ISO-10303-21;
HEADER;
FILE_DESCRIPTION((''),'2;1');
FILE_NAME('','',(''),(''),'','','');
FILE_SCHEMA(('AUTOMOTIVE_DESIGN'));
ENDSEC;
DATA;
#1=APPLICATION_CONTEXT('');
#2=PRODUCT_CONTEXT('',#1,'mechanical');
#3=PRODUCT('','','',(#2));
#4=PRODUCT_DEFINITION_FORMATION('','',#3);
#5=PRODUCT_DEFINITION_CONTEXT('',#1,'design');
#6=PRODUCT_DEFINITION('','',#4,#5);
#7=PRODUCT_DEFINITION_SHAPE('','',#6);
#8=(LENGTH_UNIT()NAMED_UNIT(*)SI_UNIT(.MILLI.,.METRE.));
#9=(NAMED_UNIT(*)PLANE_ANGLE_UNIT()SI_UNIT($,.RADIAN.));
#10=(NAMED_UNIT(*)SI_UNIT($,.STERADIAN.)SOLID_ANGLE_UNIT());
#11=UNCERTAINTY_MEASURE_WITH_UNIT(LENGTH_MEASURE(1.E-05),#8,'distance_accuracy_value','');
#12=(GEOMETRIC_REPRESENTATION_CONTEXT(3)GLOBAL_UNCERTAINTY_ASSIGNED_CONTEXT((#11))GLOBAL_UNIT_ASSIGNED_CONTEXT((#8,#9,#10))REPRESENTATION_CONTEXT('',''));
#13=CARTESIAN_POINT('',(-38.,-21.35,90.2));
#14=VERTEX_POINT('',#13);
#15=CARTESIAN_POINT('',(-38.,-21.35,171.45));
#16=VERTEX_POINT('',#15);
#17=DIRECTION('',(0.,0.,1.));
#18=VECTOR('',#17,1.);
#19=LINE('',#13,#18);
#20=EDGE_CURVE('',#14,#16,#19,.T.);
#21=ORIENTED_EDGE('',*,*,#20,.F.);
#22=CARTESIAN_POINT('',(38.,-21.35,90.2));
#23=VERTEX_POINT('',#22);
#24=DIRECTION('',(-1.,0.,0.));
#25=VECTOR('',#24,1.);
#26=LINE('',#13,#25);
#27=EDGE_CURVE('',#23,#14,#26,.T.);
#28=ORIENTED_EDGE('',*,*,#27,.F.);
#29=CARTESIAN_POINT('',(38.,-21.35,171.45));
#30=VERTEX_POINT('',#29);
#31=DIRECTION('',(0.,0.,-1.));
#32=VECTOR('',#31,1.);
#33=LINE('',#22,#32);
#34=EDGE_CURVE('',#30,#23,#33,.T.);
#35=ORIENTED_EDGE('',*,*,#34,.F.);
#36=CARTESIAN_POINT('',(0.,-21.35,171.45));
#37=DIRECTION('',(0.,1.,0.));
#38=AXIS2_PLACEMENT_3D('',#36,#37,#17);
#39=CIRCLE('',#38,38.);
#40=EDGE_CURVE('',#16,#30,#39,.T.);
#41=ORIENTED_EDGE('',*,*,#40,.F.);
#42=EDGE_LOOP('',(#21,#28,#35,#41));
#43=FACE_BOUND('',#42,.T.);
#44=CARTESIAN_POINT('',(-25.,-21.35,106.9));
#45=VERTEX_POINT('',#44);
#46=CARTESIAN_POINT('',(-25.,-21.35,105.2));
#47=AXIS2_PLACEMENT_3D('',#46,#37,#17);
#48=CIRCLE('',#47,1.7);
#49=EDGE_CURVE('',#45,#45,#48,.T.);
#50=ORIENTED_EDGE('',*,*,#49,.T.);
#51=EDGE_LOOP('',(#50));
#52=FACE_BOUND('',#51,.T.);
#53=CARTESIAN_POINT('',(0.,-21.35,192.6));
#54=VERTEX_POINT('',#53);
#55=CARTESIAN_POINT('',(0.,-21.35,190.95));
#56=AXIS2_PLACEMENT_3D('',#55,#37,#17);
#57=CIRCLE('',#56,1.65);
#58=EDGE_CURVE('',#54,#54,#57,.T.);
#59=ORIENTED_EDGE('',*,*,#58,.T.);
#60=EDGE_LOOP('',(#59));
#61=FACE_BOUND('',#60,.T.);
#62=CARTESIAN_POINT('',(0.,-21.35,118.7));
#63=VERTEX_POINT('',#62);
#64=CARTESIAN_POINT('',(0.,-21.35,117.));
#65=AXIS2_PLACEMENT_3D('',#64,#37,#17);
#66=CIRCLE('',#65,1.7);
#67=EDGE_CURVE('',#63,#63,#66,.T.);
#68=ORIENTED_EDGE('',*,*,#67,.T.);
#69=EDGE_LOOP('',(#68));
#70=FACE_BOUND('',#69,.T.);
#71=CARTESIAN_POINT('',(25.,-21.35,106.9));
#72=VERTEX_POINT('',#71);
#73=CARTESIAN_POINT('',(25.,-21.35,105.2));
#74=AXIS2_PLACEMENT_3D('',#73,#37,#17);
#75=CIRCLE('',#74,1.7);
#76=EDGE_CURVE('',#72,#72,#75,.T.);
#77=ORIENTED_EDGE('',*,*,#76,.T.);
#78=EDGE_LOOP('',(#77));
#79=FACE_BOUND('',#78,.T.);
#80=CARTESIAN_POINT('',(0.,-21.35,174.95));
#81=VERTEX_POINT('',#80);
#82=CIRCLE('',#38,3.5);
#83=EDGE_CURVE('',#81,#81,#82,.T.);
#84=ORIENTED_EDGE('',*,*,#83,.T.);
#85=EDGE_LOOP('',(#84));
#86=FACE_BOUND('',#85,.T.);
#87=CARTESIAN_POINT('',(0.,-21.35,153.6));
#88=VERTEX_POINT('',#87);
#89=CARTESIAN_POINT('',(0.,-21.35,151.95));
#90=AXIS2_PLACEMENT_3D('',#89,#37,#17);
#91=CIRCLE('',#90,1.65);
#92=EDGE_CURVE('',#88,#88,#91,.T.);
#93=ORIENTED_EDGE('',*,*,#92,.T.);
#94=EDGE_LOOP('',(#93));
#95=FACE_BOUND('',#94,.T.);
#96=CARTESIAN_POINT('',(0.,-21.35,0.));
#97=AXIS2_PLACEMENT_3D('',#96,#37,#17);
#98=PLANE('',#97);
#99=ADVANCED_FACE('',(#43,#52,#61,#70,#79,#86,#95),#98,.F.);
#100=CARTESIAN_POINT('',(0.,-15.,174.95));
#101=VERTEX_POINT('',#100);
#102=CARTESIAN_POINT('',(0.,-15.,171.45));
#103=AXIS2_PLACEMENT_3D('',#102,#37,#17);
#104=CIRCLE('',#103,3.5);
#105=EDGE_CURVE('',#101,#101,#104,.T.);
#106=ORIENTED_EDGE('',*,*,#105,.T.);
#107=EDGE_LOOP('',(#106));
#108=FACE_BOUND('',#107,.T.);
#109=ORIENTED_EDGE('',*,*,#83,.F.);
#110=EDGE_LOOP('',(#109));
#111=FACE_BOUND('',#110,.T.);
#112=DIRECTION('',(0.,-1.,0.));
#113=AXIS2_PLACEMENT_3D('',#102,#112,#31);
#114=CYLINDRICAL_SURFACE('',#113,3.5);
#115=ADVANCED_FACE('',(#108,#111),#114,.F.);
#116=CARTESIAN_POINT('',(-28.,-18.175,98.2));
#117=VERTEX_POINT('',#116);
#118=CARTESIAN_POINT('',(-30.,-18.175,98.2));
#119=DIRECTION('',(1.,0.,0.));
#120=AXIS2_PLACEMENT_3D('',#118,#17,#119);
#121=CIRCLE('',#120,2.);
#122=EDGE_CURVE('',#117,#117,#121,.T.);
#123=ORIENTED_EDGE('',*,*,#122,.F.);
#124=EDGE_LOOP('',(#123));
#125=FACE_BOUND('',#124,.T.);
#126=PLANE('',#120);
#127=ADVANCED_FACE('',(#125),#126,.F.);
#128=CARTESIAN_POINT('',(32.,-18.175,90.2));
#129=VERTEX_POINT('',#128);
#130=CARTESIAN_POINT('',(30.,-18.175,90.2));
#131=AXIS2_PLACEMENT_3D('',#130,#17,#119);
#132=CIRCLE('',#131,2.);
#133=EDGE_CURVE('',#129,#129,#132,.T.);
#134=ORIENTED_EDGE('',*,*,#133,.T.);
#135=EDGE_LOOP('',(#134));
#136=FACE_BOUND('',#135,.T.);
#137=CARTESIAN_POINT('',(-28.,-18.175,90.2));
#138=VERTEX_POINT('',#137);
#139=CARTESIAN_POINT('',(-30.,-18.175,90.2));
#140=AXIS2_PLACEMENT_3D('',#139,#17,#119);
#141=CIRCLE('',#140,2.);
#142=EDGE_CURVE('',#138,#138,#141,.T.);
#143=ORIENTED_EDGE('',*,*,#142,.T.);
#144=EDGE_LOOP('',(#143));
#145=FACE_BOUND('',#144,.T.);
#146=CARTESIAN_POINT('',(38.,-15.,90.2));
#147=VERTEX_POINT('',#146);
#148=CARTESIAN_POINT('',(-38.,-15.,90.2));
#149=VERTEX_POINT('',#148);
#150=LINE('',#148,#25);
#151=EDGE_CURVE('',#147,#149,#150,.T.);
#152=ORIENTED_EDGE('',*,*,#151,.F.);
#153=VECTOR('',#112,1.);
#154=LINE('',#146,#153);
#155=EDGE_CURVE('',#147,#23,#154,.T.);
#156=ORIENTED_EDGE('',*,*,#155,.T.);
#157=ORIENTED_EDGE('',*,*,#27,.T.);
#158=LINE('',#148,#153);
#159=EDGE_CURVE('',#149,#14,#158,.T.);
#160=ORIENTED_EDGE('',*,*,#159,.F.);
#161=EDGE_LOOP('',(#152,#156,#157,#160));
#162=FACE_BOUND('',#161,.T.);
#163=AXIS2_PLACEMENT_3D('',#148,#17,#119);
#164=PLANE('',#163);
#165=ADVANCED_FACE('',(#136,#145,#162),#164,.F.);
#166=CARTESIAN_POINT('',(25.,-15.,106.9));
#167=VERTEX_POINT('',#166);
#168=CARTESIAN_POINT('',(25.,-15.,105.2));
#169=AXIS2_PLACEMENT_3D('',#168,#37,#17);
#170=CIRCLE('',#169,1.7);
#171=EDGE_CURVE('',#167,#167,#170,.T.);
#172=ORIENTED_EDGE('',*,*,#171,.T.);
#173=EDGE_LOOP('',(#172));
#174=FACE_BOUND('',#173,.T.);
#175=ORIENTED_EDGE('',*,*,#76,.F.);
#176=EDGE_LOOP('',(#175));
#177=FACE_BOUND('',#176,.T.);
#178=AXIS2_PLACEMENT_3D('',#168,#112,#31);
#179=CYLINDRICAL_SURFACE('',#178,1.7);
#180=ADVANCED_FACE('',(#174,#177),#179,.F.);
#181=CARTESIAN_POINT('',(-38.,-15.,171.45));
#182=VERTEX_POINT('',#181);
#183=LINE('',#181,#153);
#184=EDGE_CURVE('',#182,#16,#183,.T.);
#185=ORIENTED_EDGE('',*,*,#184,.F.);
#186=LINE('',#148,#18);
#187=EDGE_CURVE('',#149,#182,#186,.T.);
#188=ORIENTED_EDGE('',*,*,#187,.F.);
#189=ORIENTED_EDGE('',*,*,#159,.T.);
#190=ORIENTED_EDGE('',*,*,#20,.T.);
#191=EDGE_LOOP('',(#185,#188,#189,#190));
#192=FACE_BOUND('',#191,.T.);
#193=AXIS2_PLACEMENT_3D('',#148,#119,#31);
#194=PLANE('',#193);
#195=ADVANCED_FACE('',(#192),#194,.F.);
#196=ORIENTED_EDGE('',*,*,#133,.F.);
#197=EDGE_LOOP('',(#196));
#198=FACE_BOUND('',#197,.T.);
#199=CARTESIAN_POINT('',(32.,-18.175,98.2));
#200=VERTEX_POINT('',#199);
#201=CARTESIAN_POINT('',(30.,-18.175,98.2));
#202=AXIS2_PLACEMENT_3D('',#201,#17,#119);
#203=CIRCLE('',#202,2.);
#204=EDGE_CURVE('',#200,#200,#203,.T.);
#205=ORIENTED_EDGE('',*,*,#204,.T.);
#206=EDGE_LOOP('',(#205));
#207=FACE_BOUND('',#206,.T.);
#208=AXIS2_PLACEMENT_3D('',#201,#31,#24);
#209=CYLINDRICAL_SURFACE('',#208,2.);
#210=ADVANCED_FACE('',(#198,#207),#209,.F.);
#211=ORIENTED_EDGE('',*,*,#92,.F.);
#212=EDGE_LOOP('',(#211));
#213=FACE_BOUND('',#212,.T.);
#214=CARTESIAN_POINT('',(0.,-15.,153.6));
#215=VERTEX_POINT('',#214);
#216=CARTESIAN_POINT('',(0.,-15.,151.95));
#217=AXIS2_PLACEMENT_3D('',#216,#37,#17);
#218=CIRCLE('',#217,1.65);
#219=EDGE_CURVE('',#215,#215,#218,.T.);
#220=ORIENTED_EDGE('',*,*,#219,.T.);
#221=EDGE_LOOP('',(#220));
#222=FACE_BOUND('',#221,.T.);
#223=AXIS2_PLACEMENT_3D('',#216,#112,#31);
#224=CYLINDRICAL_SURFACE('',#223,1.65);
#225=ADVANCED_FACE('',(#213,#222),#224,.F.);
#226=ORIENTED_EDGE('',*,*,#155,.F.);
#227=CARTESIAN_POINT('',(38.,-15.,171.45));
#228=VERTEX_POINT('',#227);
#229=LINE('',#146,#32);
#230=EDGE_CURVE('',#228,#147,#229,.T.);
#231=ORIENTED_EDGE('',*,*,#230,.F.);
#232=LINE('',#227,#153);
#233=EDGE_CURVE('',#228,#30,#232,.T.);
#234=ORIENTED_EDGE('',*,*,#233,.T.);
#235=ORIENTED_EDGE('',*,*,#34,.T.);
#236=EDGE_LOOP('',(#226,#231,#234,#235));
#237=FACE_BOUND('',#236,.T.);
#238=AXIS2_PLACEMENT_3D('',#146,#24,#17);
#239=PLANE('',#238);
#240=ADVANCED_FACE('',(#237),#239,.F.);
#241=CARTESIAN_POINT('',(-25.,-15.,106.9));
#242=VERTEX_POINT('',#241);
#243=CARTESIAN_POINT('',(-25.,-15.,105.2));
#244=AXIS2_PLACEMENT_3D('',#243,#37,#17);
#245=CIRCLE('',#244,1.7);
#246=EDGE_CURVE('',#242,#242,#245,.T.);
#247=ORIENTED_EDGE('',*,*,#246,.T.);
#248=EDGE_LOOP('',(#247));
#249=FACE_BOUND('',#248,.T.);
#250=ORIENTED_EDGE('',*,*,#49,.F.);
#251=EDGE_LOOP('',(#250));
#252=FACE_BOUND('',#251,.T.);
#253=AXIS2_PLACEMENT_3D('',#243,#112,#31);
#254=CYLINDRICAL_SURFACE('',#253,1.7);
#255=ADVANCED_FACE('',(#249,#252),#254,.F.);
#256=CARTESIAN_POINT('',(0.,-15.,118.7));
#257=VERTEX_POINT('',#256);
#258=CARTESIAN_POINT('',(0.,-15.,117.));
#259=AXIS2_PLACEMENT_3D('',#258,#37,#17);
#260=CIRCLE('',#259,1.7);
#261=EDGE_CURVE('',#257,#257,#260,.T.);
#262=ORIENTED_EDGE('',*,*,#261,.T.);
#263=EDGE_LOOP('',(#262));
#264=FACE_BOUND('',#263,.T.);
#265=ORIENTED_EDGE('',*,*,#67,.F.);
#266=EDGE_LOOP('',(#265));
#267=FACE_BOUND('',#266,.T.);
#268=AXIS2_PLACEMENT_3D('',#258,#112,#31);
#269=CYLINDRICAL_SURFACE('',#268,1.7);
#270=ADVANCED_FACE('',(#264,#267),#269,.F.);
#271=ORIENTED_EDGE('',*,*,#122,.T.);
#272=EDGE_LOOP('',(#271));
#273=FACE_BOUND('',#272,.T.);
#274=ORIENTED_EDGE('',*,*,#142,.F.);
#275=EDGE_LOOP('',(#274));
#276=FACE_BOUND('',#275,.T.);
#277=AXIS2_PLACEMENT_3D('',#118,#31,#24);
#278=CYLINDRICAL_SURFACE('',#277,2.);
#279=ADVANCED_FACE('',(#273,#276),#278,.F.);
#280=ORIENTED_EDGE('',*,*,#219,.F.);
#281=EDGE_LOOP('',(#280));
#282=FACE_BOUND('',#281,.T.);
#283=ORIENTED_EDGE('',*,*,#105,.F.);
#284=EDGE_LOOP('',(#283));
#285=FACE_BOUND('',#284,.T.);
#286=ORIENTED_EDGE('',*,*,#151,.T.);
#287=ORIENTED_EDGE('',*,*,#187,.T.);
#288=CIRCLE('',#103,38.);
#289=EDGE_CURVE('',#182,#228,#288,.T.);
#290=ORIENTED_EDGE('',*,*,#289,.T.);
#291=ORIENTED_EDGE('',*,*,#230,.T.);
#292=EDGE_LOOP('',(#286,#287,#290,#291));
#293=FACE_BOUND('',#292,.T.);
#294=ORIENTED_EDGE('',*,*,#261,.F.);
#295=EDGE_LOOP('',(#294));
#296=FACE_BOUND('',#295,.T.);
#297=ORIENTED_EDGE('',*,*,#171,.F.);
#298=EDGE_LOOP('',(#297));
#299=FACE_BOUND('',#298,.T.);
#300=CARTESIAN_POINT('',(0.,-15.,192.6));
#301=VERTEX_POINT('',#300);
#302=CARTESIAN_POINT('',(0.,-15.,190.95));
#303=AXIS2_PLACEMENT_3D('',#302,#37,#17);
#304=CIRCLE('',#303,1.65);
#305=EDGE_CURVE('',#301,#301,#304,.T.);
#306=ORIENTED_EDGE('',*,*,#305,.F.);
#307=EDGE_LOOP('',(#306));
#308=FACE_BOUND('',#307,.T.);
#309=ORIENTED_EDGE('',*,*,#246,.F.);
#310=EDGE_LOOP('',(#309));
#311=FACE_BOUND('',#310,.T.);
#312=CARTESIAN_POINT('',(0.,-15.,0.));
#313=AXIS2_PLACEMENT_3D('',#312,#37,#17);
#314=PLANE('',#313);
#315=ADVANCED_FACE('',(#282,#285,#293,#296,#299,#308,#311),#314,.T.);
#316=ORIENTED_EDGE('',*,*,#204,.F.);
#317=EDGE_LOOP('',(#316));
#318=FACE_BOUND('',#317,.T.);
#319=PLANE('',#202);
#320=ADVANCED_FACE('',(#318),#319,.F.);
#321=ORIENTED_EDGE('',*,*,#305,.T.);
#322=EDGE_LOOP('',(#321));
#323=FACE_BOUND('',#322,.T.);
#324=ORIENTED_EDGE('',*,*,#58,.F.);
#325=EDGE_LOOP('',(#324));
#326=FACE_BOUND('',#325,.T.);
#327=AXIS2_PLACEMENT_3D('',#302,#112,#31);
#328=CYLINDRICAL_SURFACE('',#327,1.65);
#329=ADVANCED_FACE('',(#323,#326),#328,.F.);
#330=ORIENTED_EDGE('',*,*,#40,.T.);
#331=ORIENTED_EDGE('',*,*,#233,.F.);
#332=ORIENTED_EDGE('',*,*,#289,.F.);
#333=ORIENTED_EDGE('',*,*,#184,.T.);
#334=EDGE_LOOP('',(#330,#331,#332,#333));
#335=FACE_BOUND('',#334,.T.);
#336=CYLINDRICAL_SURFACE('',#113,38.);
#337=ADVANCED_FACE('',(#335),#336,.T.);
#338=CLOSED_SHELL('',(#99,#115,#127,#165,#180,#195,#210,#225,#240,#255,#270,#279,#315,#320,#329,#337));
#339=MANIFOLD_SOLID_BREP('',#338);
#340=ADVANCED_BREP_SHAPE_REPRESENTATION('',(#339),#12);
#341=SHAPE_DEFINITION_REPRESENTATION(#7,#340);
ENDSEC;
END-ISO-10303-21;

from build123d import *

# Parameters (mm, degrees)
PARED_B_CHUMACERA_J2_START          = -21.35
CROQUIS1_W                          = 76
CROQUIS1_H                          = 81.25
PARED_B_CHUMACERA_J2_DEPTH          = 6.35
PARED_B_CHUMACERA_J2_REDONDEO_START = -21.35
CROQUIS2_R                          = 38
PARED_B_CHUMACERA_J2_REDONDEO_DEPTH = 6.35
PASO_PIN_Y_ROSCA_M4_EJEFALSO_START  = -21.35
CROQUIS3_R                          = 3.5
CROQUIS3_R_2                        = 1.65
PASO_PIN_Y_ROSCA_M4_EJEFALSO_DEPTH  = 6.35
ROSCA_M3_ESCUADRAS_START            = -21.35
CROQUIS4_R                          = 1.25
ROSCA_M3_ESCUADRAS_DEPTH            = 6.35
PASADORES_D4_START                  = 90.2
CROQUIS5_R                          = 2
PASADORES_D4_DEPTH                  = 8
ROSCA_M3_BASES_CINCHO_START         = -21.35
CROQUIS6_R                          = 1.25
ROSCA_M3_BASES_CINCHO_DEPTH         = 6.35
PASO_M3_ESCUADRAS_TUERCA_START      = -21.35
CROQUIS7_R                          = 1.7
PASO_M3_ESCUADRAS_TUERCA_DEPTH      = 6.35
PASO_M3_BASE_CINCHO_TUERCA_START    = -21.35
CROQUIS8_R                          = 1.7
PASO_M3_BASE_CINCHO_TUERCA_DEPTH    = 6.35


with BuildPart() as part:
    # Croquis1 → Pared_B_chumacera_J2 (new body)
    with BuildSketch(Plane(origin=(0, 0, 0), x_dir=(1, 0, 0), z_dir=(0, 1, 0)).offset(PARED_B_CHUMACERA_J2_START)):
        with Locations((0, -130.825)):
            Rectangle(CROQUIS1_W, CROQUIS1_H)
    extrude(amount=PARED_B_CHUMACERA_J2_DEPTH)

    # Croquis2 → Pared_B_chumacera_J2_redondeo (add)
    with BuildSketch(Plane(origin=(0, 0, 0), x_dir=(1, 0, 0), z_dir=(0, 1, 0)).offset(PARED_B_CHUMACERA_J2_REDONDEO_START)):
        with Locations((0, -171.45)):
            Circle(CROQUIS2_R)
    extrude(amount=PARED_B_CHUMACERA_J2_REDONDEO_DEPTH)

    # Croquis3 → Paso_pin_y_rosca_M4_ejefalso (cut)
    with BuildSketch(Plane(origin=(0, 0, 0), x_dir=(1, 0, 0), z_dir=(0, 1, 0)).offset(PASO_PIN_Y_ROSCA_M4_EJEFALSO_START)):
        with Locations(Location((0, -171.45, 0), (0, 0, 270))):
            Circle(CROQUIS3_R)
        with Locations(Location((0, -190.95, 0), (0, 0, 270))):
            Circle(CROQUIS3_R_2)
        with Locations(Location((0, -151.95, 0), (0, 0, 270))):
            Circle(CROQUIS3_R_2)
    extrude(amount=PASO_PIN_Y_ROSCA_M4_EJEFALSO_DEPTH, mode=Mode.SUBTRACT)

    # Croquis4 → Rosca_M3_escuadras (cut)
    with BuildSketch(Plane(origin=(0, 0, 0), x_dir=(1, 0, 0), z_dir=(0, 1, 0)).offset(ROSCA_M3_ESCUADRAS_START)):
        with Locations(Location((-25, -105.2, 0), (0, 0, 270))):
            Circle(CROQUIS4_R)
        with Locations(Location((25, -105.2, 0), (0, 0, 270))):
            Circle(CROQUIS4_R)
    extrude(amount=ROSCA_M3_ESCUADRAS_DEPTH, mode=Mode.SUBTRACT)

    # Croquis5 → Pasadores_D4 (cut)
    with BuildSketch(Plane.XY.offset(PASADORES_D4_START)):
        with Locations((-30, -18.175)):
            Circle(CROQUIS5_R)
        with Locations((30, -18.175)):
            Circle(CROQUIS5_R)
    extrude(amount=PASADORES_D4_DEPTH, mode=Mode.SUBTRACT)

    # Croquis6 → Rosca_M3_bases_cincho (cut)
    with BuildSketch(Plane(origin=(0, 0, 0), x_dir=(1, 0, 0), z_dir=(0, 1, 0)).offset(ROSCA_M3_BASES_CINCHO_START)):
        with Locations(Location((0, -117, 0), (0, 0, 270))):
            Circle(CROQUIS6_R)
    extrude(amount=ROSCA_M3_BASES_CINCHO_DEPTH, mode=Mode.SUBTRACT)

    # Croquis7 → Paso_M3_escuadras_tuerca (cut)
    with BuildSketch(Plane(origin=(0, 0, 0), x_dir=(1, 0, 0), z_dir=(0, 1, 0)).offset(PASO_M3_ESCUADRAS_TUERCA_START)):
        with Locations(Location((-25, -105.2, 0), (0, 0, 270))):
            Circle(CROQUIS7_R)
        with Locations(Location((25, -105.2, 0), (0, 0, 270))):
            Circle(CROQUIS7_R)
    extrude(amount=PASO_M3_ESCUADRAS_TUERCA_DEPTH, mode=Mode.SUBTRACT)

    # Croquis8 → Paso_M3_base_cincho_tuerca (cut)
    with BuildSketch(Plane(origin=(0, 0, 0), x_dir=(1, 0, 0), z_dir=(0, 1, 0)).offset(PASO_M3_BASE_CINCHO_TUERCA_START)):
        with Locations(Location((0, -117, 0), (0, 0, 270))):
            Circle(CROQUIS8_R)
    extrude(amount=PASO_M3_BASE_CINCHO_TUERCA_DEPTH, mode=Mode.SUBTRACT)


solid = part.part
